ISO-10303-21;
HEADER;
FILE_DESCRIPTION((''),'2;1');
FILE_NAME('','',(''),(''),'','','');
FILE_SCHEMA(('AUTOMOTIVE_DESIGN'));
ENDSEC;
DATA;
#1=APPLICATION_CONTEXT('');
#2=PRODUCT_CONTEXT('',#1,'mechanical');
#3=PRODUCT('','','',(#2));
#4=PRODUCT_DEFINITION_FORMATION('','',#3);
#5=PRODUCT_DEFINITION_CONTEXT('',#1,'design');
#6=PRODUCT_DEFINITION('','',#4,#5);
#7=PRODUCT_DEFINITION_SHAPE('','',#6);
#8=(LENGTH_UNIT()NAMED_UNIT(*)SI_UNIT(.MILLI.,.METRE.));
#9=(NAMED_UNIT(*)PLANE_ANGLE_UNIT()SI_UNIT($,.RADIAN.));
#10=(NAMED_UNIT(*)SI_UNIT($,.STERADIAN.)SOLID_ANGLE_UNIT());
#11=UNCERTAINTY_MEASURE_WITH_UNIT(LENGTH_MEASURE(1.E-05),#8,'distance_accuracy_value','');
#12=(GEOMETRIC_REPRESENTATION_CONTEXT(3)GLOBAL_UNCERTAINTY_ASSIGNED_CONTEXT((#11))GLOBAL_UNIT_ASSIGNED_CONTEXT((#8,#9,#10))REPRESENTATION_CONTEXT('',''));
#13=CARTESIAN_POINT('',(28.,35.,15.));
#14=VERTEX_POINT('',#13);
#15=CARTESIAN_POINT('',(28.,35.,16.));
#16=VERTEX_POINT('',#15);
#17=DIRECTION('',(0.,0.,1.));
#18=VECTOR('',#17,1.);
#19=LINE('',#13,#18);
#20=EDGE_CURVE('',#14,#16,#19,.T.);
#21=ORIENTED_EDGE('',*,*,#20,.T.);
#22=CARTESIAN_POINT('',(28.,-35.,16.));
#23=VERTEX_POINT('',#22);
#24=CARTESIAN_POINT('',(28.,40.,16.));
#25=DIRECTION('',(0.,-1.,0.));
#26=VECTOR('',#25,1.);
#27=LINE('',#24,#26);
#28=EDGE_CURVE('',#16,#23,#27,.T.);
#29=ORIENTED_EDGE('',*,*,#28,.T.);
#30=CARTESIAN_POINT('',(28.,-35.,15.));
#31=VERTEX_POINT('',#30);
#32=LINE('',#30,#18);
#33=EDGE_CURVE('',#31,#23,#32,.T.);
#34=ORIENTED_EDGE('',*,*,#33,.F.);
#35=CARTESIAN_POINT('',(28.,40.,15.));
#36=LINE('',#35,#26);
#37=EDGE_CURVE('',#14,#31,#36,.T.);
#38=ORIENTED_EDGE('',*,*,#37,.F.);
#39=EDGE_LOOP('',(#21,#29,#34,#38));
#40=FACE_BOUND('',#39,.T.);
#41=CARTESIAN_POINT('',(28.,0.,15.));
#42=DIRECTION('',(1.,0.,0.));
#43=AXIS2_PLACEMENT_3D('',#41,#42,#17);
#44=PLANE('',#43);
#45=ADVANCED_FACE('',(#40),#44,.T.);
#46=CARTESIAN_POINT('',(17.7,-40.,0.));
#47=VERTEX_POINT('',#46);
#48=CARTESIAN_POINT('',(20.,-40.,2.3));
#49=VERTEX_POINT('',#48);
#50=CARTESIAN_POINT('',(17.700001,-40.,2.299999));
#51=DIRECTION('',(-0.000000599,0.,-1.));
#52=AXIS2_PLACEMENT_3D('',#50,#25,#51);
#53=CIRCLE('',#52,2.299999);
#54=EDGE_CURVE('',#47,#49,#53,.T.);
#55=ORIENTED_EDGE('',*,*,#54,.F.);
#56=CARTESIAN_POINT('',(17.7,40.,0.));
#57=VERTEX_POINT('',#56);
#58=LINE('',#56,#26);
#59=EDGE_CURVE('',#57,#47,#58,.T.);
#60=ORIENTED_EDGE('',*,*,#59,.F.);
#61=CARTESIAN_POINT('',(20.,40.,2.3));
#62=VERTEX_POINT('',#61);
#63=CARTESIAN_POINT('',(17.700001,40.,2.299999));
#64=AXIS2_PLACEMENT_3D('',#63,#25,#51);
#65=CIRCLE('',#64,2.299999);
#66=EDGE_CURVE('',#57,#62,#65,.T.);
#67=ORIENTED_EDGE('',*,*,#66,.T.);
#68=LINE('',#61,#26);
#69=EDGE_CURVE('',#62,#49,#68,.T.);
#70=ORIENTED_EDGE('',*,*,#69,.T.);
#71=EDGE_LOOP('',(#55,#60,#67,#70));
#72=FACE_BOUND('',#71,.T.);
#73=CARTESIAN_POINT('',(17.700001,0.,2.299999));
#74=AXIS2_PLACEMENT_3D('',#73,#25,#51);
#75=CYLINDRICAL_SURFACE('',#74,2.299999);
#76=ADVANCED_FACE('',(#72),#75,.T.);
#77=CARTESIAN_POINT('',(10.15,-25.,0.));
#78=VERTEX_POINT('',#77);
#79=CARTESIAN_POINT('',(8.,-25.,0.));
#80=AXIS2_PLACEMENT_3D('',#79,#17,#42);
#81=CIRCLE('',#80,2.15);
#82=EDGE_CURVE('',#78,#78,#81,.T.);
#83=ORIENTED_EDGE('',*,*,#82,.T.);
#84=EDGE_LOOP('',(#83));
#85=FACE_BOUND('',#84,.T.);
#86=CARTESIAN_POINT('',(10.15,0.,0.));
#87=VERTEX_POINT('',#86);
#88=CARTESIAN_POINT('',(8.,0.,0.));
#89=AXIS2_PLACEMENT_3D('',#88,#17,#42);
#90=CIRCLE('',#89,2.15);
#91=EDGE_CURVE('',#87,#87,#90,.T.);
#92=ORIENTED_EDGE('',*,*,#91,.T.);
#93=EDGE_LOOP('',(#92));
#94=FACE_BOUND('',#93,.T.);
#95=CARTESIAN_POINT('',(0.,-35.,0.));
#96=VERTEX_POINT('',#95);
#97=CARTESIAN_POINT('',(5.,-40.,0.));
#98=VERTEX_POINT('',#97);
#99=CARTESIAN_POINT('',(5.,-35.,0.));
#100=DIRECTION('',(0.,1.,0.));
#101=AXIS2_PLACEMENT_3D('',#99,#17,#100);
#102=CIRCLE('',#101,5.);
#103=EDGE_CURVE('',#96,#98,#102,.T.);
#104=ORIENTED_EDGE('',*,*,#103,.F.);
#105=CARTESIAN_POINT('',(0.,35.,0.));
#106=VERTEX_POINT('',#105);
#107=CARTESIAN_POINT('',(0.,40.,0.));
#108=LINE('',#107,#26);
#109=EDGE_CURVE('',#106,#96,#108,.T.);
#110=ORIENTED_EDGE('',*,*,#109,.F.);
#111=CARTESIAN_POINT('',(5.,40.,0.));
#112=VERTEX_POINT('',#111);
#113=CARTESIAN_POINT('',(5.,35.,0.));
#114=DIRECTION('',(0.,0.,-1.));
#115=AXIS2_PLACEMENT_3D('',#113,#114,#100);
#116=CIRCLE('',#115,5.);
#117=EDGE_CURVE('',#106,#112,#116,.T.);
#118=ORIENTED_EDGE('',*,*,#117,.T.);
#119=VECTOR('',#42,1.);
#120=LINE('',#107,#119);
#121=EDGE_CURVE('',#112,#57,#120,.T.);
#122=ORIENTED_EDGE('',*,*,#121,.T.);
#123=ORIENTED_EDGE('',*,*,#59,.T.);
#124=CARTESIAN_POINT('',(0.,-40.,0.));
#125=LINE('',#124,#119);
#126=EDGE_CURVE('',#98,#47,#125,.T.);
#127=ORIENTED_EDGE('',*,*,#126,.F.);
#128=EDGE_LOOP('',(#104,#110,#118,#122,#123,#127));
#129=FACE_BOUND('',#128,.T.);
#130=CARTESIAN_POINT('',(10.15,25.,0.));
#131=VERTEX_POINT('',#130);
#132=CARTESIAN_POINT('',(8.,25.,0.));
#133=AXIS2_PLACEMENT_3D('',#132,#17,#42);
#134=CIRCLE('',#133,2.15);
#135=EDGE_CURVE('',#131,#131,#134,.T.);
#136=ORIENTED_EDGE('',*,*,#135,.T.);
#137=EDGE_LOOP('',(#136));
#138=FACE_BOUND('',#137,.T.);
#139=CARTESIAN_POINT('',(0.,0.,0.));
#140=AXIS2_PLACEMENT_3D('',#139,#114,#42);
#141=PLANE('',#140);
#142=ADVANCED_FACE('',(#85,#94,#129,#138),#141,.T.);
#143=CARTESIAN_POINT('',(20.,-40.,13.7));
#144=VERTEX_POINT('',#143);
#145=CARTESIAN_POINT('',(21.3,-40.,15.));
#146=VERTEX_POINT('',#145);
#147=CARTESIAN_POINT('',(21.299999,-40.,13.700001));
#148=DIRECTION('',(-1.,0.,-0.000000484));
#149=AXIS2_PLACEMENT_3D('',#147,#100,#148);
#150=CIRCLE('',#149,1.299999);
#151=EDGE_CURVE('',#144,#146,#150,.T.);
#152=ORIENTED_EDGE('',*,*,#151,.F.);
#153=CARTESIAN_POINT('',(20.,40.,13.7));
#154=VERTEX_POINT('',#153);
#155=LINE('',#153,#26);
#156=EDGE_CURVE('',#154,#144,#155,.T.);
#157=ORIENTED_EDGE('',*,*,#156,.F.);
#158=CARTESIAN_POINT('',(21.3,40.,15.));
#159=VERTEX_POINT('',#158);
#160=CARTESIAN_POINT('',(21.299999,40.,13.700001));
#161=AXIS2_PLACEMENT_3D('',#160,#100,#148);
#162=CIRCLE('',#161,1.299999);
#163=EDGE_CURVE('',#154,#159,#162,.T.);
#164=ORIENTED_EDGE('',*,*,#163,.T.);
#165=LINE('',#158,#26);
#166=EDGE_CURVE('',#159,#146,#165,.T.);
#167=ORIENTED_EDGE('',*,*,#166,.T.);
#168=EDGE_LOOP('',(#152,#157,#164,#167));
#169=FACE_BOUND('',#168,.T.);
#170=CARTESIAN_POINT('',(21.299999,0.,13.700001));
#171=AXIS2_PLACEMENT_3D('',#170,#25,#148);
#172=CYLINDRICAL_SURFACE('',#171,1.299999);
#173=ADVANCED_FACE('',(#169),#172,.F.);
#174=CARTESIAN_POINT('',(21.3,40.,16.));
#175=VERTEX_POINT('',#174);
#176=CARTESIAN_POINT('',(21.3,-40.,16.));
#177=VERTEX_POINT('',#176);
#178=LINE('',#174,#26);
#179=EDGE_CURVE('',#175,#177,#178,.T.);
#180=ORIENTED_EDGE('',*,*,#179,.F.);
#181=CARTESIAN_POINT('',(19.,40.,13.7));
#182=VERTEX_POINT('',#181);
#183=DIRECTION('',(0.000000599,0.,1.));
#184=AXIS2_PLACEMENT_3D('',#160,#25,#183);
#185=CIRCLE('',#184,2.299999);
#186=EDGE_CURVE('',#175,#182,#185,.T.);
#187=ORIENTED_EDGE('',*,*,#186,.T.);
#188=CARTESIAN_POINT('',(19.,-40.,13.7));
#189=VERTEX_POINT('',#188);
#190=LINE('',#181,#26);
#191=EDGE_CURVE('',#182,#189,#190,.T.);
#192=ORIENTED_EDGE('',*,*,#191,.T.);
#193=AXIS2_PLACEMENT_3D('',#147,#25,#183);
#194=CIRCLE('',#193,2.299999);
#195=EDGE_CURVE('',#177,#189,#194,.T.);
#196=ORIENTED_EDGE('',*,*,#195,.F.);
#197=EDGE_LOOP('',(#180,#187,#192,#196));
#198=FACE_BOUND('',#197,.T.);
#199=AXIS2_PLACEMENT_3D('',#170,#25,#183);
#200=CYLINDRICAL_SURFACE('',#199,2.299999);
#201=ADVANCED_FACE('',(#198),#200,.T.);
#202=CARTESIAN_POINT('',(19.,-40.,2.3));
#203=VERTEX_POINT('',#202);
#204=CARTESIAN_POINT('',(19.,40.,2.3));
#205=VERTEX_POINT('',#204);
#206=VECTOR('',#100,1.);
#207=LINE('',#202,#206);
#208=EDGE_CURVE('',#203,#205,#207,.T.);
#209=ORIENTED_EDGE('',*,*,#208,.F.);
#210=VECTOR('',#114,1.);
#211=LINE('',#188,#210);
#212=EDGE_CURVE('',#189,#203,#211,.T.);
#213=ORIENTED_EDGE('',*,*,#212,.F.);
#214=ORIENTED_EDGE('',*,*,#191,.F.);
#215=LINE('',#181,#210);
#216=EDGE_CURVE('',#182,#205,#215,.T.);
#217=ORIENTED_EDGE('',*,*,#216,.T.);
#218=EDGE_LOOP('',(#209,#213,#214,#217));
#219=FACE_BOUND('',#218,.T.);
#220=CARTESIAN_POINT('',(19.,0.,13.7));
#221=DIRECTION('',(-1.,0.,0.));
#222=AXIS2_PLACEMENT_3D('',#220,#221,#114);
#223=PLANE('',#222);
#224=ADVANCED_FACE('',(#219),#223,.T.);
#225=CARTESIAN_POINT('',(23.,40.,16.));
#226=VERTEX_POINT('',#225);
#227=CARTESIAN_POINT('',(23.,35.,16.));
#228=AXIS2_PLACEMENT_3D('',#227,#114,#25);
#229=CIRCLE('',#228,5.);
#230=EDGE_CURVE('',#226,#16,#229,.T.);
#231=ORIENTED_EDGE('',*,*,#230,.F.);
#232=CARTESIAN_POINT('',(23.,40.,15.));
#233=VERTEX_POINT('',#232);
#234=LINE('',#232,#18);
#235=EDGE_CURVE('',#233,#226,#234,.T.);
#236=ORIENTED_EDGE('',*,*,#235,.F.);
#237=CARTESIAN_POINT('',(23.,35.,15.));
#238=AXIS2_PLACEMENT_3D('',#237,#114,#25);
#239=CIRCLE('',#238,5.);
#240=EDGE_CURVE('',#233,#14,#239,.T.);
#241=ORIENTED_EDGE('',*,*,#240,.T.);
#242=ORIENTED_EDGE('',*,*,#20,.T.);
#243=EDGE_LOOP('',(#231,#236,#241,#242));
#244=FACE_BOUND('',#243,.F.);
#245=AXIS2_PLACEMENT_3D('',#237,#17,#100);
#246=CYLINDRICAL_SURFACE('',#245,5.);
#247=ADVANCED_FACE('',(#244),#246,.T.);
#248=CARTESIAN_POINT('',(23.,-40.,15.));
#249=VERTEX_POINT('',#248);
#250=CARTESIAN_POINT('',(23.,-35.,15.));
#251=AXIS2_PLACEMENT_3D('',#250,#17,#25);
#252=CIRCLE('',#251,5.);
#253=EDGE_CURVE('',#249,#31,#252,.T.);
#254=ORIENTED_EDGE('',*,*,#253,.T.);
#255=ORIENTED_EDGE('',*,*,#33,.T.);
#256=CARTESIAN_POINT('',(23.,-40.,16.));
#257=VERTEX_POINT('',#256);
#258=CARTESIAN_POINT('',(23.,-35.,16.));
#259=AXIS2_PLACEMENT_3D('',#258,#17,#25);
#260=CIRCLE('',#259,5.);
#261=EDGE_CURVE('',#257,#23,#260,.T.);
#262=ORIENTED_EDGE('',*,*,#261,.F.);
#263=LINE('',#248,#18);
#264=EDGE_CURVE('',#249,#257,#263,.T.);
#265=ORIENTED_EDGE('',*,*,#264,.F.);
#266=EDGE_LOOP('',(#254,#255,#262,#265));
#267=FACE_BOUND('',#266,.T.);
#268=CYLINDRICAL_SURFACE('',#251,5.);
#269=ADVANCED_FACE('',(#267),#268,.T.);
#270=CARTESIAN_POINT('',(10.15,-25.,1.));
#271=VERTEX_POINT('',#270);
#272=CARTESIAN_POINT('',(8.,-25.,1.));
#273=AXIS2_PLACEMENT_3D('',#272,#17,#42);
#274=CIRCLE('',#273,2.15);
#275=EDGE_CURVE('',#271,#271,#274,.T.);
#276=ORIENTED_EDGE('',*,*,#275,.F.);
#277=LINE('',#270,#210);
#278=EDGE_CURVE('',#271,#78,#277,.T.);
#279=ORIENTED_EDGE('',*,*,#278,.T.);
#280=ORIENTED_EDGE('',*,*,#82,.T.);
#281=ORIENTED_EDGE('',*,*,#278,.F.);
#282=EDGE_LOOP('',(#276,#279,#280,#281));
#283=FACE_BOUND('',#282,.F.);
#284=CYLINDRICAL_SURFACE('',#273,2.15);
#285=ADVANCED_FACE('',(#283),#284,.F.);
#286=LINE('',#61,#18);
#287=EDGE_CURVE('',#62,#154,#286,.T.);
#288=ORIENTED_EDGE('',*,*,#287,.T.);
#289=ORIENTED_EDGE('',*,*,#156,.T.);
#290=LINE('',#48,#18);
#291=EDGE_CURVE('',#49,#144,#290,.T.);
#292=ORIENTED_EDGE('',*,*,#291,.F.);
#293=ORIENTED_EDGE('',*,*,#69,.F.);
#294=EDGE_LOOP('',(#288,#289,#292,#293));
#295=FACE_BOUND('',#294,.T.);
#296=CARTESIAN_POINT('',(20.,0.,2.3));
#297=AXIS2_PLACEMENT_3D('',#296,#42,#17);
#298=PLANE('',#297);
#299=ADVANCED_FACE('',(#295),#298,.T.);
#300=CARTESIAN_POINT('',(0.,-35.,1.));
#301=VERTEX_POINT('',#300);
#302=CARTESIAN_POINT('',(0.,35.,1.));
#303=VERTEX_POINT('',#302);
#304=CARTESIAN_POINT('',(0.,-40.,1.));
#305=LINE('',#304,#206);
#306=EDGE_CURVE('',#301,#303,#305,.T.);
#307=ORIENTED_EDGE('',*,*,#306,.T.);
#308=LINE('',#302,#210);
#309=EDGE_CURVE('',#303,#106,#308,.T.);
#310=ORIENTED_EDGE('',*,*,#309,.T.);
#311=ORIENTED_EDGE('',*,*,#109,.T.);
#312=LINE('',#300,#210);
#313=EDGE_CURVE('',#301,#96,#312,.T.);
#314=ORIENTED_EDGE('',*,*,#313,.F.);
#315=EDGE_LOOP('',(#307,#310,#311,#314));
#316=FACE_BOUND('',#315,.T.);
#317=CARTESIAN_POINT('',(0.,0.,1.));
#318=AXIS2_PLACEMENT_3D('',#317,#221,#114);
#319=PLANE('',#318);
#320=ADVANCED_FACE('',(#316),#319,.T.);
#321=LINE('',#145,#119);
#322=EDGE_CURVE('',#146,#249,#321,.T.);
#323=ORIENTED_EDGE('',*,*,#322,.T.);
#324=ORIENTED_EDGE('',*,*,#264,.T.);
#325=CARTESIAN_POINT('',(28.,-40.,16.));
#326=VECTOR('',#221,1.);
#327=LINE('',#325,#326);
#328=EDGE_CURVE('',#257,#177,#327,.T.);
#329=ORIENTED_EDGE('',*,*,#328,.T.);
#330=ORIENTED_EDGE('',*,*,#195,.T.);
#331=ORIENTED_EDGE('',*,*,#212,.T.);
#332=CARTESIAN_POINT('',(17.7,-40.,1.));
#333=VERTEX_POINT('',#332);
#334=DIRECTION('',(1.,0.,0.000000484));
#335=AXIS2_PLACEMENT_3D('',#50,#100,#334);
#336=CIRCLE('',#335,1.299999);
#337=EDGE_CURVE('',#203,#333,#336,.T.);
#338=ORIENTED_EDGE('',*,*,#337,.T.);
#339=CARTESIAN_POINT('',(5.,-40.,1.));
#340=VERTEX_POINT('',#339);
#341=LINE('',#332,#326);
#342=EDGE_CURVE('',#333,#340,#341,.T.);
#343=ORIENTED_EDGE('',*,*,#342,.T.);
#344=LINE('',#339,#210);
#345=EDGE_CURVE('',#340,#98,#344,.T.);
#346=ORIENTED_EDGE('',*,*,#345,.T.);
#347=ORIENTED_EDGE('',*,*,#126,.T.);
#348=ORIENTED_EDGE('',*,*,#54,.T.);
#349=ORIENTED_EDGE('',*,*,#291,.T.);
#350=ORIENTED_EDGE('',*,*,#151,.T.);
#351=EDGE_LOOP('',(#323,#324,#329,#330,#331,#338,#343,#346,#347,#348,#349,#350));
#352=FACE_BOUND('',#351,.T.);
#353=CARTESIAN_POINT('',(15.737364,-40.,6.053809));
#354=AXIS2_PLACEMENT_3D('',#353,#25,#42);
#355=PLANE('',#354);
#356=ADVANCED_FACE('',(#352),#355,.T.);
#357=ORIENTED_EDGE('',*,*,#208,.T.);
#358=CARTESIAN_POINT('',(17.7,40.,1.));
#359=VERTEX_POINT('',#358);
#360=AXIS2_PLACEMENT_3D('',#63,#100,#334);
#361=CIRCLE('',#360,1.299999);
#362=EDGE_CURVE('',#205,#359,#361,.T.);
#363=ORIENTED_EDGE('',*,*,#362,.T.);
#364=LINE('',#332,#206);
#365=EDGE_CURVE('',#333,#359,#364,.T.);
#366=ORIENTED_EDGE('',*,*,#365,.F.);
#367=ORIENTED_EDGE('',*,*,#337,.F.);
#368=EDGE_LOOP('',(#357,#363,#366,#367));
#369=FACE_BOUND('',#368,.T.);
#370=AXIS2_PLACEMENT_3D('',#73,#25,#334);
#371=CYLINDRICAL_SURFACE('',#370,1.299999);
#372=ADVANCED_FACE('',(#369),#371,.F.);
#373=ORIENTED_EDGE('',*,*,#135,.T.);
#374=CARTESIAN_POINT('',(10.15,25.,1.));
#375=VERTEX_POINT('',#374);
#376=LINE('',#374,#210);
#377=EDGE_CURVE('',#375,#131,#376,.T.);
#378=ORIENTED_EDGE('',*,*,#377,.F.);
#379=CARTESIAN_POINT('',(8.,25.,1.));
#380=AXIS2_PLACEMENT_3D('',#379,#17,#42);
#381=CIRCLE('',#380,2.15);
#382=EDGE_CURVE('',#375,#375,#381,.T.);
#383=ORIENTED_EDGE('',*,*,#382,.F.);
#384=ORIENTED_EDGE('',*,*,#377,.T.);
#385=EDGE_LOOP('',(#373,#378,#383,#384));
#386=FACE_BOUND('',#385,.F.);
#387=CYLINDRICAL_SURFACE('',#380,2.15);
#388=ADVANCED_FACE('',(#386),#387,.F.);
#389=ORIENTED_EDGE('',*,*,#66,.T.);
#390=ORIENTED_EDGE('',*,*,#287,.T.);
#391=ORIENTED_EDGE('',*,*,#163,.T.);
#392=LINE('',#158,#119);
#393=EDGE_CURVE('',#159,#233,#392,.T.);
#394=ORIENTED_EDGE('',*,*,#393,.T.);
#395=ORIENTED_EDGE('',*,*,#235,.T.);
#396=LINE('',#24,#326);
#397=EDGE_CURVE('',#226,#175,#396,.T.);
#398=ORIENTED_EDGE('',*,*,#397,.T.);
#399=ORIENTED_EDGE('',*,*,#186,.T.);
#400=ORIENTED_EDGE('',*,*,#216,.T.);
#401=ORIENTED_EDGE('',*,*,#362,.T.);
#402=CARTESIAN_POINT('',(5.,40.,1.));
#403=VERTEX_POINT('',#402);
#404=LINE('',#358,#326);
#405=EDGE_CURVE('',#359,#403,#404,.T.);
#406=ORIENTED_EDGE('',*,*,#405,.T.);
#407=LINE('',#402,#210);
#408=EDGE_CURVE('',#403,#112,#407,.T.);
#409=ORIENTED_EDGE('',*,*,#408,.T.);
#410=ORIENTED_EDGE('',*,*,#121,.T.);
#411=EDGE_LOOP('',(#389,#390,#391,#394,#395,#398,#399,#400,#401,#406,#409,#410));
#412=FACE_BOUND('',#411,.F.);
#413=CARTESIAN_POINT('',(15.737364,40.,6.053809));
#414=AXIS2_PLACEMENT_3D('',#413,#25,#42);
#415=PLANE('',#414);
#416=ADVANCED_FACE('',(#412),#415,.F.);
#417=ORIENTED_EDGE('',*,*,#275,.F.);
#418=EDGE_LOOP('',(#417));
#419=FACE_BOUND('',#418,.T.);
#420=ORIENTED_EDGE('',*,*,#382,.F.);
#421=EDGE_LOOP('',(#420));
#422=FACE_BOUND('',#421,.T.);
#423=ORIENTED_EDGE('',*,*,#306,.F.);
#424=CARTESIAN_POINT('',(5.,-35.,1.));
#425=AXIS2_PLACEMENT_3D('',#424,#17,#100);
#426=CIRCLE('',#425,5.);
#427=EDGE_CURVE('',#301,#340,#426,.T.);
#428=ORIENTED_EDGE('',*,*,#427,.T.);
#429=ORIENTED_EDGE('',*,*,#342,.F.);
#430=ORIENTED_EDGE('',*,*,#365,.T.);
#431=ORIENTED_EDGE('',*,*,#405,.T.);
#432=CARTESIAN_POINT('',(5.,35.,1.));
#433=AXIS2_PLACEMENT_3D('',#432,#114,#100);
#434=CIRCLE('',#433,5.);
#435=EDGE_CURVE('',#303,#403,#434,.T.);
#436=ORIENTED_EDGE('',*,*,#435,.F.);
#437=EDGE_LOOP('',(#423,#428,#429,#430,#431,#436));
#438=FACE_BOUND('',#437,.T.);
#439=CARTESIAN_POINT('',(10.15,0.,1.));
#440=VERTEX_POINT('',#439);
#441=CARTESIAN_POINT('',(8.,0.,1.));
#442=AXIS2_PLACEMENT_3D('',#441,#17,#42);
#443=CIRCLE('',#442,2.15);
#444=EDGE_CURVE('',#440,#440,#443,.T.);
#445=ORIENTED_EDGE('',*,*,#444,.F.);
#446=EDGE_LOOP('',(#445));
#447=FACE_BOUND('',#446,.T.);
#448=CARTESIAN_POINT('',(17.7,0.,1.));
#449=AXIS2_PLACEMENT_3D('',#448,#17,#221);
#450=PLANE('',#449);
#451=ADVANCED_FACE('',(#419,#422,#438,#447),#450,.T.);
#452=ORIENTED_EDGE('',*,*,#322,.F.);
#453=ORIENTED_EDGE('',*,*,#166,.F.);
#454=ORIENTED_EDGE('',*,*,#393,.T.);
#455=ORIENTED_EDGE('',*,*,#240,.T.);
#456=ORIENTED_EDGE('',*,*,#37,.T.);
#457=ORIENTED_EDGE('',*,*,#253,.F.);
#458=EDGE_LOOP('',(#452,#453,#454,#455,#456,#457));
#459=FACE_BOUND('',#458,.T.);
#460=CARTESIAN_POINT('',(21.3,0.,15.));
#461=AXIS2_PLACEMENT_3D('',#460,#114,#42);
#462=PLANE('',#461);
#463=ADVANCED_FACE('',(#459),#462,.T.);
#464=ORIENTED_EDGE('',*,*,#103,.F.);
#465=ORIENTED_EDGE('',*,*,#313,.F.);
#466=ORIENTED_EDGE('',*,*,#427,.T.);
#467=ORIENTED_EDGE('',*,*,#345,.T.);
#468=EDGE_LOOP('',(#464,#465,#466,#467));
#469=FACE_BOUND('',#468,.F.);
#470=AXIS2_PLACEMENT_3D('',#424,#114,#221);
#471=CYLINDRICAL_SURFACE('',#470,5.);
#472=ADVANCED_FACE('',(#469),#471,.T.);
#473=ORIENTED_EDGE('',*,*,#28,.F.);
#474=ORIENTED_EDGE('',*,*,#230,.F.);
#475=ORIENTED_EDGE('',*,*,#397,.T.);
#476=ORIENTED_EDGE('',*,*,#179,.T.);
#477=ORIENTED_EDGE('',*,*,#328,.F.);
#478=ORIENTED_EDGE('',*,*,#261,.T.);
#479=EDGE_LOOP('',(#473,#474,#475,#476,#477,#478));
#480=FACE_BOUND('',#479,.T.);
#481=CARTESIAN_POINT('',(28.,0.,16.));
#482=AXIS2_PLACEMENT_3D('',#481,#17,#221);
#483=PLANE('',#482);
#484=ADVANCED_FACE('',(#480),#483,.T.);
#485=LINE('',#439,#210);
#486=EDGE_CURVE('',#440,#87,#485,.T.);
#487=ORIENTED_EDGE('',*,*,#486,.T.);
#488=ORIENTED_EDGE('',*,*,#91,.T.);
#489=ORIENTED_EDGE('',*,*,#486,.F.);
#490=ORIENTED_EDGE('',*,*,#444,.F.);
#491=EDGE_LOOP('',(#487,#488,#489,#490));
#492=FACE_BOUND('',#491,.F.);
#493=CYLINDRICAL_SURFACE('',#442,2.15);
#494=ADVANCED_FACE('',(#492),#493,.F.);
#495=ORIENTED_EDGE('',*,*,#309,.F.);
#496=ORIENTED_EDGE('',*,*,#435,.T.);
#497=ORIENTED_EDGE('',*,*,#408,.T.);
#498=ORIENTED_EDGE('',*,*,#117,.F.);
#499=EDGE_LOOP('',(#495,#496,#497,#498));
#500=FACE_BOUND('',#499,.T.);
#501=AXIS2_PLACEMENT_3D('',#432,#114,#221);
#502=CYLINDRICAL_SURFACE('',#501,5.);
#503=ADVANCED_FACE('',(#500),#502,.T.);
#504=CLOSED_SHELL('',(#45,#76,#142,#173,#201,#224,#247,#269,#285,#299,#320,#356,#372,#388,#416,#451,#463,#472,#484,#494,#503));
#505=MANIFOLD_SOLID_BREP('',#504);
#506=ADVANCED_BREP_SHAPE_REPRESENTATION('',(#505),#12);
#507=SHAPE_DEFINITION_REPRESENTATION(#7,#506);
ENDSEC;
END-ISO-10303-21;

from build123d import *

# Parameters (mm, degrees)
F1_DEPTH = 40
F2_R     = 2.15
F3_DEPTH = 1
F4_R     = 5


with BuildPart() as f1:
    # F0 (on Front) → F1 (new body, symmetric)
    with BuildSketch(Plane.XZ):
        with BuildLine():
            Line((0, 1), (0, 0))
            Line((0, 0), (17.7, 0))
            ThreePointArc((17.7, 0), (19.326346, 0.673654), (20, 2.3))
            Line((20, 2.3), (20, 13.7))
            ThreePointArc((20, 13.7), (20.380761, 14.619239), (21.3, 15))
            Line((21.3, 15), (28, 15))
            Line((28, 15), (28, 16))
            Line((28, 16), (21.3, 16))
            ThreePointArc((21.3, 16), (19.673654, 15.326346), (19, 13.7))
            Line((19, 13.7), (19, 2.3))
            ThreePointArc((19, 2.3), (18.619239, 1.380761), (17.7, 1))
            Line((17.7, 1), (0, 1))
        make_face()
    extrude(amount=F1_DEPTH, both=True)

    # F2 (on face) → F3 (cut, through all)
    with BuildSketch(Plane.XY.offset(1)):
        with Locations((8, 25)):
            Circle(F2_R)
        with Locations((8, 0)):
            Circle(F2_R)
        with Locations((8, -25)):
            Circle(F2_R)
    extrude(amount=-F3_DEPTH, mode=Mode.SUBTRACT)

    # F4
    f4_edges = [f1.edges().sort_by_distance(p)[0] for p in [
        (0, 40, 0.5),
        (0, -40, 0.5),
        (28, -40, 15.5),
        (28, 40, 15.5),
    ]]
    fillet(f4_edges, radius=F4_R)


solid = f1.part
